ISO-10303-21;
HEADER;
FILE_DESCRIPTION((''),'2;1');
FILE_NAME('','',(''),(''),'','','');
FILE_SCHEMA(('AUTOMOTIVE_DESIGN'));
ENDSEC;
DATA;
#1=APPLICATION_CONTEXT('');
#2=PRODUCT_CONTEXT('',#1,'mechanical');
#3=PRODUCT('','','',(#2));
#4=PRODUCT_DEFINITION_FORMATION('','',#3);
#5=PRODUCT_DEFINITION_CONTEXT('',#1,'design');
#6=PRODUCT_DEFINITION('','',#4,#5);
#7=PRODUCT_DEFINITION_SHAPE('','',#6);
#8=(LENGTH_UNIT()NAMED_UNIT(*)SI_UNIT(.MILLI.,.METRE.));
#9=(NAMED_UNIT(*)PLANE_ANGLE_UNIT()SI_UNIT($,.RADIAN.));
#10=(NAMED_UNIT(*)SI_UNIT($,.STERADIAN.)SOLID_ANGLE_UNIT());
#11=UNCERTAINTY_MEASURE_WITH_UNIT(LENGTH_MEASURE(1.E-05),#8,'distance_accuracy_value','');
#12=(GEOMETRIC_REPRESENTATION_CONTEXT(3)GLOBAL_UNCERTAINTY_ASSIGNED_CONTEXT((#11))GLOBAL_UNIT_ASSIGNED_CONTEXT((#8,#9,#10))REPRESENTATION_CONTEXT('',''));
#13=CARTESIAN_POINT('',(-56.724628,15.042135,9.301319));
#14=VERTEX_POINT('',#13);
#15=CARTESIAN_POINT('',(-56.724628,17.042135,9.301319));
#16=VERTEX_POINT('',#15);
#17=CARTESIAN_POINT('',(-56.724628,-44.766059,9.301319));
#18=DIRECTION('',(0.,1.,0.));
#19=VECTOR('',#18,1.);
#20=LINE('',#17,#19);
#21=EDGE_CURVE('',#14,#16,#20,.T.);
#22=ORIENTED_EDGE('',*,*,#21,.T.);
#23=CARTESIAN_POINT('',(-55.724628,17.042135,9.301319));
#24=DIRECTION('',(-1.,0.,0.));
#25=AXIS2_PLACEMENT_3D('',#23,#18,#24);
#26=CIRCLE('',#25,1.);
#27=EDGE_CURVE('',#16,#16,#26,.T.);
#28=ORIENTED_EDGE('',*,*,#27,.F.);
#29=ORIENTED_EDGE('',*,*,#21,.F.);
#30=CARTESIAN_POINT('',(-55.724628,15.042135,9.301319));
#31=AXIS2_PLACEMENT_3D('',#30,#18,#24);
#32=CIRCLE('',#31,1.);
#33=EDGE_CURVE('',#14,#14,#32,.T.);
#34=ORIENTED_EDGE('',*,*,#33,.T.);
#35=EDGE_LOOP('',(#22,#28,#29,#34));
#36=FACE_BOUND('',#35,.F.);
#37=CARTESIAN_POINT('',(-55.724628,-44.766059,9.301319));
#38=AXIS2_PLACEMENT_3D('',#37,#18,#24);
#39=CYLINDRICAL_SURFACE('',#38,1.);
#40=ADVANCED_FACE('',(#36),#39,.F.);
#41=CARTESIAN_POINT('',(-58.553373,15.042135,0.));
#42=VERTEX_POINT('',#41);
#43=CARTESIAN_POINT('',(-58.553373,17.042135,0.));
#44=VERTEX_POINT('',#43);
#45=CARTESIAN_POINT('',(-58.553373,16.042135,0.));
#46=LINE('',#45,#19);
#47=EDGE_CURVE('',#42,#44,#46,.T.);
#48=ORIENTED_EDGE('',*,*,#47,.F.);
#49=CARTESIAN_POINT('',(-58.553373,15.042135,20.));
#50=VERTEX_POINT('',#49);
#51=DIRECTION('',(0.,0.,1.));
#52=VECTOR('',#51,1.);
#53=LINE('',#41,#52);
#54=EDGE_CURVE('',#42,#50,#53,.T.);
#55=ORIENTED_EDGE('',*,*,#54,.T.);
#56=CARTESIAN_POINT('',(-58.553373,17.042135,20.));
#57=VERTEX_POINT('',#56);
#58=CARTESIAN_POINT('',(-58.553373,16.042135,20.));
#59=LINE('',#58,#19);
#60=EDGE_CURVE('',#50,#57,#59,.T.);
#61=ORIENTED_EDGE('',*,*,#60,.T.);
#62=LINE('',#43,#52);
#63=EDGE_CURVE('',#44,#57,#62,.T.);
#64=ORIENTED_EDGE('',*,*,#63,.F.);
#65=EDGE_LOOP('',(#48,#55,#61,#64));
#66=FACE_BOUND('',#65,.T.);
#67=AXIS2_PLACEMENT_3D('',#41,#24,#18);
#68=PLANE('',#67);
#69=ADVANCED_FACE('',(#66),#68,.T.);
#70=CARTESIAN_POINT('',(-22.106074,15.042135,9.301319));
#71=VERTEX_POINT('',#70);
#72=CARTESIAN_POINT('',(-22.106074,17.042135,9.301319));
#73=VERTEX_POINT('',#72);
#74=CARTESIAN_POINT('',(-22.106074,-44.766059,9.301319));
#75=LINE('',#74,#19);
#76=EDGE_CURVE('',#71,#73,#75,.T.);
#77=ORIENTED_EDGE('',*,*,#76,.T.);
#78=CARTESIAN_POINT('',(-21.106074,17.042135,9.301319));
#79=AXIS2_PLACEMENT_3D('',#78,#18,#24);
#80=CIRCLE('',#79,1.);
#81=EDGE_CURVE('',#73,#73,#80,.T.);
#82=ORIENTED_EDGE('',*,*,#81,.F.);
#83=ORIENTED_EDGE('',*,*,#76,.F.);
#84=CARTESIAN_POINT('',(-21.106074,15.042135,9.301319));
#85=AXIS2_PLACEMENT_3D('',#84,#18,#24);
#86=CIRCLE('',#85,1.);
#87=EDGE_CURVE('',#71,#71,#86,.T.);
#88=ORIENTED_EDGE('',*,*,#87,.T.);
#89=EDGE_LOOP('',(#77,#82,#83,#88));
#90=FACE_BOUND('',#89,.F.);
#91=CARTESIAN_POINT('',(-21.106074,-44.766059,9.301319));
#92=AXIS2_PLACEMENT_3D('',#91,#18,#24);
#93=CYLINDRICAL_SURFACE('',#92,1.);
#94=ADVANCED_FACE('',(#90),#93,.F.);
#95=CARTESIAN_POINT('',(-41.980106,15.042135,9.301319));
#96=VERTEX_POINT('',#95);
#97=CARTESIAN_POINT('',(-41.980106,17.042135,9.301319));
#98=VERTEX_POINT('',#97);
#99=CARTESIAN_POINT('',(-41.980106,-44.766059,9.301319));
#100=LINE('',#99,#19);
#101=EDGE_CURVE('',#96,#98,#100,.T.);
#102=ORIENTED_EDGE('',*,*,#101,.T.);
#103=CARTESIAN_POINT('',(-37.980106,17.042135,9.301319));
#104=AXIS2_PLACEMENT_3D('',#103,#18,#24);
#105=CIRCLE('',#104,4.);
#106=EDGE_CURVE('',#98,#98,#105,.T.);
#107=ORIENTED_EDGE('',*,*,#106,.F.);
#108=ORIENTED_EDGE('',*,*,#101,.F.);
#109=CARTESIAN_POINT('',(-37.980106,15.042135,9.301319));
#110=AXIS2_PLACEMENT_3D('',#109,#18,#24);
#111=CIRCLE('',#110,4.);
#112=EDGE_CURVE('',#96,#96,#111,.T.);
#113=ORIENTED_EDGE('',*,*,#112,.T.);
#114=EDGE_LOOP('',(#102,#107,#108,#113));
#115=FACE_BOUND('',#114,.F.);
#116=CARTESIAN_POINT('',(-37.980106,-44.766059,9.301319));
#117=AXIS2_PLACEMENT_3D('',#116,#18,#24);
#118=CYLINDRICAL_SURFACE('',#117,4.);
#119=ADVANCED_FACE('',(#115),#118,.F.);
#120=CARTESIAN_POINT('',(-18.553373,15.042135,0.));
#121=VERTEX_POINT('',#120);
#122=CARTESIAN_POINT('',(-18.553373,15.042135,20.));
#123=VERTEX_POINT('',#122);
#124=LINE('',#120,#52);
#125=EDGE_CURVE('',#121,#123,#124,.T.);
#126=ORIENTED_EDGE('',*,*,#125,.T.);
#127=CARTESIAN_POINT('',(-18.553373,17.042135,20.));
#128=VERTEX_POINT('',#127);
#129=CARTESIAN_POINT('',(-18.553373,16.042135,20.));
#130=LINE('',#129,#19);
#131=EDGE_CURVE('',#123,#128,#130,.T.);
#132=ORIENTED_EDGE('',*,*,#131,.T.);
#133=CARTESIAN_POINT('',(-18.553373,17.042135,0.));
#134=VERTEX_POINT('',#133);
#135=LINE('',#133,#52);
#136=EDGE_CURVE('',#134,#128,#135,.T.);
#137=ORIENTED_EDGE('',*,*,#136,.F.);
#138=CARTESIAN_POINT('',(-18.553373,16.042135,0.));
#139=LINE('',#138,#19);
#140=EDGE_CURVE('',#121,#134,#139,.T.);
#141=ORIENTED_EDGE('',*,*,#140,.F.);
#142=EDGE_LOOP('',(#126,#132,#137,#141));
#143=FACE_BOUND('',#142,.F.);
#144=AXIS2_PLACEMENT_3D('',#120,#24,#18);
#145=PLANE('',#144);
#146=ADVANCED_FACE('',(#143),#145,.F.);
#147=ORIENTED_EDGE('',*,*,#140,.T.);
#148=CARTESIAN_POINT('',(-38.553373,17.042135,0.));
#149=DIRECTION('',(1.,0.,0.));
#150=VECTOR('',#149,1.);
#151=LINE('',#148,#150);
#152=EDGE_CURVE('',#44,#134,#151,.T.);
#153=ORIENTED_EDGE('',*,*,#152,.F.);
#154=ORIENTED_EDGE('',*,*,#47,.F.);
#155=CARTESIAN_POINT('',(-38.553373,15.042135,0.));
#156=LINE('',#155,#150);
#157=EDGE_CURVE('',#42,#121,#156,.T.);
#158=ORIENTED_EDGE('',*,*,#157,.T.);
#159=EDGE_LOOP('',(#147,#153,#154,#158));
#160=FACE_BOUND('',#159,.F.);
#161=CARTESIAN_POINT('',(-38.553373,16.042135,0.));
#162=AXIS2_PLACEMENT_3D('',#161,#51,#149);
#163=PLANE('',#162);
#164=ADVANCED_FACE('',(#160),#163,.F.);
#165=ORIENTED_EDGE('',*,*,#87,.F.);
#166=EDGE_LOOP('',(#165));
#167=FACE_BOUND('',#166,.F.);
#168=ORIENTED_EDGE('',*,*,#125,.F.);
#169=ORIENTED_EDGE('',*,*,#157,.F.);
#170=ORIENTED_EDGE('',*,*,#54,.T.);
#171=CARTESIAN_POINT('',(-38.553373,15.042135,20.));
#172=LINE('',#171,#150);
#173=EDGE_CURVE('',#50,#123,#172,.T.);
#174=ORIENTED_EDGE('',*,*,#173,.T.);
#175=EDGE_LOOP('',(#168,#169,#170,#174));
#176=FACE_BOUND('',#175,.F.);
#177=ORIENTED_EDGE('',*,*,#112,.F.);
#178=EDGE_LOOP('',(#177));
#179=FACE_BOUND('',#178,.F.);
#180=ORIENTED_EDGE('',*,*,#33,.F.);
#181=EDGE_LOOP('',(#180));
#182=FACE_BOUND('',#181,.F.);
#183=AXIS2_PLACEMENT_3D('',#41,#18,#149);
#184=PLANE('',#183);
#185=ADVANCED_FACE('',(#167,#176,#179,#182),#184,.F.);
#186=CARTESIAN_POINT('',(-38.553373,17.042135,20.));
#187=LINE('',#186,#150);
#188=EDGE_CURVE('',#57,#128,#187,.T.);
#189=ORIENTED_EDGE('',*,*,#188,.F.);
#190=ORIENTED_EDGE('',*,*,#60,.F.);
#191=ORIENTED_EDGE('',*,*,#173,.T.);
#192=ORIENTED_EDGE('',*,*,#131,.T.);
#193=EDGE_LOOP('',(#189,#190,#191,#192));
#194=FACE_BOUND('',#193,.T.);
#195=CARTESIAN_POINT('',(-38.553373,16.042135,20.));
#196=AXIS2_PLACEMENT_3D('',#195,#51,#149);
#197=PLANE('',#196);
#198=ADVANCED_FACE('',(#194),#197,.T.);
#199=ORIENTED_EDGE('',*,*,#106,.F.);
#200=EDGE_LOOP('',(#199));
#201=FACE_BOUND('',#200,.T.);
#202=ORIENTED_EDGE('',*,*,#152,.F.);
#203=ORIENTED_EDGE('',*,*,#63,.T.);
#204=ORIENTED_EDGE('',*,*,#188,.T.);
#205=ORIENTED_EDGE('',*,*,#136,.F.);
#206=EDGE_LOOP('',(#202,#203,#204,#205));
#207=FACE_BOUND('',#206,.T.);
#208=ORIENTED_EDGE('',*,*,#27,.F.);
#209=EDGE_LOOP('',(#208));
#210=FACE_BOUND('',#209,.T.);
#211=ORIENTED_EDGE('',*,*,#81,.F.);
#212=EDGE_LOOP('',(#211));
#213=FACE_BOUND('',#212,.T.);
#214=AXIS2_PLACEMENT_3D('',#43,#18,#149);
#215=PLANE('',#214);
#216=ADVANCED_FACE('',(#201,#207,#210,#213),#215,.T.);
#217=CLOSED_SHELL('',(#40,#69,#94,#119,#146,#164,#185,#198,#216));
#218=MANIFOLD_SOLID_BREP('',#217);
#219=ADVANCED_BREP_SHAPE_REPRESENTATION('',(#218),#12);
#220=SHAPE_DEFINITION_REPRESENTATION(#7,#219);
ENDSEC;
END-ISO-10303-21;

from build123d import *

# Parameters (mm, degrees)
F0_W     = 40
F0_H     = 2
F1_DEPTH = 20
F4_D     = 8
F5_D     = 2


with BuildPart() as f1:
    # F0 (on Top) → F1 (new body)
    with BuildSketch(Plane.XY):
        with Locations((-38.553373, 16.042135)):
            Rectangle(F0_W, F0_H)
    extrude(amount=F1_DEPTH)

    # F4 (through all)
    with Locations(Plane.XZ):
        with Locations((-37.980106, 9.301319)):
            Hole(F4_D / 2)

    # F5 (through all)
    with Locations(Plane.XZ):
        with Locations((-55.724628, 9.301319), (-21.106074, 9.301319)):
            Hole(F5_D / 2)


solid = f1.part
